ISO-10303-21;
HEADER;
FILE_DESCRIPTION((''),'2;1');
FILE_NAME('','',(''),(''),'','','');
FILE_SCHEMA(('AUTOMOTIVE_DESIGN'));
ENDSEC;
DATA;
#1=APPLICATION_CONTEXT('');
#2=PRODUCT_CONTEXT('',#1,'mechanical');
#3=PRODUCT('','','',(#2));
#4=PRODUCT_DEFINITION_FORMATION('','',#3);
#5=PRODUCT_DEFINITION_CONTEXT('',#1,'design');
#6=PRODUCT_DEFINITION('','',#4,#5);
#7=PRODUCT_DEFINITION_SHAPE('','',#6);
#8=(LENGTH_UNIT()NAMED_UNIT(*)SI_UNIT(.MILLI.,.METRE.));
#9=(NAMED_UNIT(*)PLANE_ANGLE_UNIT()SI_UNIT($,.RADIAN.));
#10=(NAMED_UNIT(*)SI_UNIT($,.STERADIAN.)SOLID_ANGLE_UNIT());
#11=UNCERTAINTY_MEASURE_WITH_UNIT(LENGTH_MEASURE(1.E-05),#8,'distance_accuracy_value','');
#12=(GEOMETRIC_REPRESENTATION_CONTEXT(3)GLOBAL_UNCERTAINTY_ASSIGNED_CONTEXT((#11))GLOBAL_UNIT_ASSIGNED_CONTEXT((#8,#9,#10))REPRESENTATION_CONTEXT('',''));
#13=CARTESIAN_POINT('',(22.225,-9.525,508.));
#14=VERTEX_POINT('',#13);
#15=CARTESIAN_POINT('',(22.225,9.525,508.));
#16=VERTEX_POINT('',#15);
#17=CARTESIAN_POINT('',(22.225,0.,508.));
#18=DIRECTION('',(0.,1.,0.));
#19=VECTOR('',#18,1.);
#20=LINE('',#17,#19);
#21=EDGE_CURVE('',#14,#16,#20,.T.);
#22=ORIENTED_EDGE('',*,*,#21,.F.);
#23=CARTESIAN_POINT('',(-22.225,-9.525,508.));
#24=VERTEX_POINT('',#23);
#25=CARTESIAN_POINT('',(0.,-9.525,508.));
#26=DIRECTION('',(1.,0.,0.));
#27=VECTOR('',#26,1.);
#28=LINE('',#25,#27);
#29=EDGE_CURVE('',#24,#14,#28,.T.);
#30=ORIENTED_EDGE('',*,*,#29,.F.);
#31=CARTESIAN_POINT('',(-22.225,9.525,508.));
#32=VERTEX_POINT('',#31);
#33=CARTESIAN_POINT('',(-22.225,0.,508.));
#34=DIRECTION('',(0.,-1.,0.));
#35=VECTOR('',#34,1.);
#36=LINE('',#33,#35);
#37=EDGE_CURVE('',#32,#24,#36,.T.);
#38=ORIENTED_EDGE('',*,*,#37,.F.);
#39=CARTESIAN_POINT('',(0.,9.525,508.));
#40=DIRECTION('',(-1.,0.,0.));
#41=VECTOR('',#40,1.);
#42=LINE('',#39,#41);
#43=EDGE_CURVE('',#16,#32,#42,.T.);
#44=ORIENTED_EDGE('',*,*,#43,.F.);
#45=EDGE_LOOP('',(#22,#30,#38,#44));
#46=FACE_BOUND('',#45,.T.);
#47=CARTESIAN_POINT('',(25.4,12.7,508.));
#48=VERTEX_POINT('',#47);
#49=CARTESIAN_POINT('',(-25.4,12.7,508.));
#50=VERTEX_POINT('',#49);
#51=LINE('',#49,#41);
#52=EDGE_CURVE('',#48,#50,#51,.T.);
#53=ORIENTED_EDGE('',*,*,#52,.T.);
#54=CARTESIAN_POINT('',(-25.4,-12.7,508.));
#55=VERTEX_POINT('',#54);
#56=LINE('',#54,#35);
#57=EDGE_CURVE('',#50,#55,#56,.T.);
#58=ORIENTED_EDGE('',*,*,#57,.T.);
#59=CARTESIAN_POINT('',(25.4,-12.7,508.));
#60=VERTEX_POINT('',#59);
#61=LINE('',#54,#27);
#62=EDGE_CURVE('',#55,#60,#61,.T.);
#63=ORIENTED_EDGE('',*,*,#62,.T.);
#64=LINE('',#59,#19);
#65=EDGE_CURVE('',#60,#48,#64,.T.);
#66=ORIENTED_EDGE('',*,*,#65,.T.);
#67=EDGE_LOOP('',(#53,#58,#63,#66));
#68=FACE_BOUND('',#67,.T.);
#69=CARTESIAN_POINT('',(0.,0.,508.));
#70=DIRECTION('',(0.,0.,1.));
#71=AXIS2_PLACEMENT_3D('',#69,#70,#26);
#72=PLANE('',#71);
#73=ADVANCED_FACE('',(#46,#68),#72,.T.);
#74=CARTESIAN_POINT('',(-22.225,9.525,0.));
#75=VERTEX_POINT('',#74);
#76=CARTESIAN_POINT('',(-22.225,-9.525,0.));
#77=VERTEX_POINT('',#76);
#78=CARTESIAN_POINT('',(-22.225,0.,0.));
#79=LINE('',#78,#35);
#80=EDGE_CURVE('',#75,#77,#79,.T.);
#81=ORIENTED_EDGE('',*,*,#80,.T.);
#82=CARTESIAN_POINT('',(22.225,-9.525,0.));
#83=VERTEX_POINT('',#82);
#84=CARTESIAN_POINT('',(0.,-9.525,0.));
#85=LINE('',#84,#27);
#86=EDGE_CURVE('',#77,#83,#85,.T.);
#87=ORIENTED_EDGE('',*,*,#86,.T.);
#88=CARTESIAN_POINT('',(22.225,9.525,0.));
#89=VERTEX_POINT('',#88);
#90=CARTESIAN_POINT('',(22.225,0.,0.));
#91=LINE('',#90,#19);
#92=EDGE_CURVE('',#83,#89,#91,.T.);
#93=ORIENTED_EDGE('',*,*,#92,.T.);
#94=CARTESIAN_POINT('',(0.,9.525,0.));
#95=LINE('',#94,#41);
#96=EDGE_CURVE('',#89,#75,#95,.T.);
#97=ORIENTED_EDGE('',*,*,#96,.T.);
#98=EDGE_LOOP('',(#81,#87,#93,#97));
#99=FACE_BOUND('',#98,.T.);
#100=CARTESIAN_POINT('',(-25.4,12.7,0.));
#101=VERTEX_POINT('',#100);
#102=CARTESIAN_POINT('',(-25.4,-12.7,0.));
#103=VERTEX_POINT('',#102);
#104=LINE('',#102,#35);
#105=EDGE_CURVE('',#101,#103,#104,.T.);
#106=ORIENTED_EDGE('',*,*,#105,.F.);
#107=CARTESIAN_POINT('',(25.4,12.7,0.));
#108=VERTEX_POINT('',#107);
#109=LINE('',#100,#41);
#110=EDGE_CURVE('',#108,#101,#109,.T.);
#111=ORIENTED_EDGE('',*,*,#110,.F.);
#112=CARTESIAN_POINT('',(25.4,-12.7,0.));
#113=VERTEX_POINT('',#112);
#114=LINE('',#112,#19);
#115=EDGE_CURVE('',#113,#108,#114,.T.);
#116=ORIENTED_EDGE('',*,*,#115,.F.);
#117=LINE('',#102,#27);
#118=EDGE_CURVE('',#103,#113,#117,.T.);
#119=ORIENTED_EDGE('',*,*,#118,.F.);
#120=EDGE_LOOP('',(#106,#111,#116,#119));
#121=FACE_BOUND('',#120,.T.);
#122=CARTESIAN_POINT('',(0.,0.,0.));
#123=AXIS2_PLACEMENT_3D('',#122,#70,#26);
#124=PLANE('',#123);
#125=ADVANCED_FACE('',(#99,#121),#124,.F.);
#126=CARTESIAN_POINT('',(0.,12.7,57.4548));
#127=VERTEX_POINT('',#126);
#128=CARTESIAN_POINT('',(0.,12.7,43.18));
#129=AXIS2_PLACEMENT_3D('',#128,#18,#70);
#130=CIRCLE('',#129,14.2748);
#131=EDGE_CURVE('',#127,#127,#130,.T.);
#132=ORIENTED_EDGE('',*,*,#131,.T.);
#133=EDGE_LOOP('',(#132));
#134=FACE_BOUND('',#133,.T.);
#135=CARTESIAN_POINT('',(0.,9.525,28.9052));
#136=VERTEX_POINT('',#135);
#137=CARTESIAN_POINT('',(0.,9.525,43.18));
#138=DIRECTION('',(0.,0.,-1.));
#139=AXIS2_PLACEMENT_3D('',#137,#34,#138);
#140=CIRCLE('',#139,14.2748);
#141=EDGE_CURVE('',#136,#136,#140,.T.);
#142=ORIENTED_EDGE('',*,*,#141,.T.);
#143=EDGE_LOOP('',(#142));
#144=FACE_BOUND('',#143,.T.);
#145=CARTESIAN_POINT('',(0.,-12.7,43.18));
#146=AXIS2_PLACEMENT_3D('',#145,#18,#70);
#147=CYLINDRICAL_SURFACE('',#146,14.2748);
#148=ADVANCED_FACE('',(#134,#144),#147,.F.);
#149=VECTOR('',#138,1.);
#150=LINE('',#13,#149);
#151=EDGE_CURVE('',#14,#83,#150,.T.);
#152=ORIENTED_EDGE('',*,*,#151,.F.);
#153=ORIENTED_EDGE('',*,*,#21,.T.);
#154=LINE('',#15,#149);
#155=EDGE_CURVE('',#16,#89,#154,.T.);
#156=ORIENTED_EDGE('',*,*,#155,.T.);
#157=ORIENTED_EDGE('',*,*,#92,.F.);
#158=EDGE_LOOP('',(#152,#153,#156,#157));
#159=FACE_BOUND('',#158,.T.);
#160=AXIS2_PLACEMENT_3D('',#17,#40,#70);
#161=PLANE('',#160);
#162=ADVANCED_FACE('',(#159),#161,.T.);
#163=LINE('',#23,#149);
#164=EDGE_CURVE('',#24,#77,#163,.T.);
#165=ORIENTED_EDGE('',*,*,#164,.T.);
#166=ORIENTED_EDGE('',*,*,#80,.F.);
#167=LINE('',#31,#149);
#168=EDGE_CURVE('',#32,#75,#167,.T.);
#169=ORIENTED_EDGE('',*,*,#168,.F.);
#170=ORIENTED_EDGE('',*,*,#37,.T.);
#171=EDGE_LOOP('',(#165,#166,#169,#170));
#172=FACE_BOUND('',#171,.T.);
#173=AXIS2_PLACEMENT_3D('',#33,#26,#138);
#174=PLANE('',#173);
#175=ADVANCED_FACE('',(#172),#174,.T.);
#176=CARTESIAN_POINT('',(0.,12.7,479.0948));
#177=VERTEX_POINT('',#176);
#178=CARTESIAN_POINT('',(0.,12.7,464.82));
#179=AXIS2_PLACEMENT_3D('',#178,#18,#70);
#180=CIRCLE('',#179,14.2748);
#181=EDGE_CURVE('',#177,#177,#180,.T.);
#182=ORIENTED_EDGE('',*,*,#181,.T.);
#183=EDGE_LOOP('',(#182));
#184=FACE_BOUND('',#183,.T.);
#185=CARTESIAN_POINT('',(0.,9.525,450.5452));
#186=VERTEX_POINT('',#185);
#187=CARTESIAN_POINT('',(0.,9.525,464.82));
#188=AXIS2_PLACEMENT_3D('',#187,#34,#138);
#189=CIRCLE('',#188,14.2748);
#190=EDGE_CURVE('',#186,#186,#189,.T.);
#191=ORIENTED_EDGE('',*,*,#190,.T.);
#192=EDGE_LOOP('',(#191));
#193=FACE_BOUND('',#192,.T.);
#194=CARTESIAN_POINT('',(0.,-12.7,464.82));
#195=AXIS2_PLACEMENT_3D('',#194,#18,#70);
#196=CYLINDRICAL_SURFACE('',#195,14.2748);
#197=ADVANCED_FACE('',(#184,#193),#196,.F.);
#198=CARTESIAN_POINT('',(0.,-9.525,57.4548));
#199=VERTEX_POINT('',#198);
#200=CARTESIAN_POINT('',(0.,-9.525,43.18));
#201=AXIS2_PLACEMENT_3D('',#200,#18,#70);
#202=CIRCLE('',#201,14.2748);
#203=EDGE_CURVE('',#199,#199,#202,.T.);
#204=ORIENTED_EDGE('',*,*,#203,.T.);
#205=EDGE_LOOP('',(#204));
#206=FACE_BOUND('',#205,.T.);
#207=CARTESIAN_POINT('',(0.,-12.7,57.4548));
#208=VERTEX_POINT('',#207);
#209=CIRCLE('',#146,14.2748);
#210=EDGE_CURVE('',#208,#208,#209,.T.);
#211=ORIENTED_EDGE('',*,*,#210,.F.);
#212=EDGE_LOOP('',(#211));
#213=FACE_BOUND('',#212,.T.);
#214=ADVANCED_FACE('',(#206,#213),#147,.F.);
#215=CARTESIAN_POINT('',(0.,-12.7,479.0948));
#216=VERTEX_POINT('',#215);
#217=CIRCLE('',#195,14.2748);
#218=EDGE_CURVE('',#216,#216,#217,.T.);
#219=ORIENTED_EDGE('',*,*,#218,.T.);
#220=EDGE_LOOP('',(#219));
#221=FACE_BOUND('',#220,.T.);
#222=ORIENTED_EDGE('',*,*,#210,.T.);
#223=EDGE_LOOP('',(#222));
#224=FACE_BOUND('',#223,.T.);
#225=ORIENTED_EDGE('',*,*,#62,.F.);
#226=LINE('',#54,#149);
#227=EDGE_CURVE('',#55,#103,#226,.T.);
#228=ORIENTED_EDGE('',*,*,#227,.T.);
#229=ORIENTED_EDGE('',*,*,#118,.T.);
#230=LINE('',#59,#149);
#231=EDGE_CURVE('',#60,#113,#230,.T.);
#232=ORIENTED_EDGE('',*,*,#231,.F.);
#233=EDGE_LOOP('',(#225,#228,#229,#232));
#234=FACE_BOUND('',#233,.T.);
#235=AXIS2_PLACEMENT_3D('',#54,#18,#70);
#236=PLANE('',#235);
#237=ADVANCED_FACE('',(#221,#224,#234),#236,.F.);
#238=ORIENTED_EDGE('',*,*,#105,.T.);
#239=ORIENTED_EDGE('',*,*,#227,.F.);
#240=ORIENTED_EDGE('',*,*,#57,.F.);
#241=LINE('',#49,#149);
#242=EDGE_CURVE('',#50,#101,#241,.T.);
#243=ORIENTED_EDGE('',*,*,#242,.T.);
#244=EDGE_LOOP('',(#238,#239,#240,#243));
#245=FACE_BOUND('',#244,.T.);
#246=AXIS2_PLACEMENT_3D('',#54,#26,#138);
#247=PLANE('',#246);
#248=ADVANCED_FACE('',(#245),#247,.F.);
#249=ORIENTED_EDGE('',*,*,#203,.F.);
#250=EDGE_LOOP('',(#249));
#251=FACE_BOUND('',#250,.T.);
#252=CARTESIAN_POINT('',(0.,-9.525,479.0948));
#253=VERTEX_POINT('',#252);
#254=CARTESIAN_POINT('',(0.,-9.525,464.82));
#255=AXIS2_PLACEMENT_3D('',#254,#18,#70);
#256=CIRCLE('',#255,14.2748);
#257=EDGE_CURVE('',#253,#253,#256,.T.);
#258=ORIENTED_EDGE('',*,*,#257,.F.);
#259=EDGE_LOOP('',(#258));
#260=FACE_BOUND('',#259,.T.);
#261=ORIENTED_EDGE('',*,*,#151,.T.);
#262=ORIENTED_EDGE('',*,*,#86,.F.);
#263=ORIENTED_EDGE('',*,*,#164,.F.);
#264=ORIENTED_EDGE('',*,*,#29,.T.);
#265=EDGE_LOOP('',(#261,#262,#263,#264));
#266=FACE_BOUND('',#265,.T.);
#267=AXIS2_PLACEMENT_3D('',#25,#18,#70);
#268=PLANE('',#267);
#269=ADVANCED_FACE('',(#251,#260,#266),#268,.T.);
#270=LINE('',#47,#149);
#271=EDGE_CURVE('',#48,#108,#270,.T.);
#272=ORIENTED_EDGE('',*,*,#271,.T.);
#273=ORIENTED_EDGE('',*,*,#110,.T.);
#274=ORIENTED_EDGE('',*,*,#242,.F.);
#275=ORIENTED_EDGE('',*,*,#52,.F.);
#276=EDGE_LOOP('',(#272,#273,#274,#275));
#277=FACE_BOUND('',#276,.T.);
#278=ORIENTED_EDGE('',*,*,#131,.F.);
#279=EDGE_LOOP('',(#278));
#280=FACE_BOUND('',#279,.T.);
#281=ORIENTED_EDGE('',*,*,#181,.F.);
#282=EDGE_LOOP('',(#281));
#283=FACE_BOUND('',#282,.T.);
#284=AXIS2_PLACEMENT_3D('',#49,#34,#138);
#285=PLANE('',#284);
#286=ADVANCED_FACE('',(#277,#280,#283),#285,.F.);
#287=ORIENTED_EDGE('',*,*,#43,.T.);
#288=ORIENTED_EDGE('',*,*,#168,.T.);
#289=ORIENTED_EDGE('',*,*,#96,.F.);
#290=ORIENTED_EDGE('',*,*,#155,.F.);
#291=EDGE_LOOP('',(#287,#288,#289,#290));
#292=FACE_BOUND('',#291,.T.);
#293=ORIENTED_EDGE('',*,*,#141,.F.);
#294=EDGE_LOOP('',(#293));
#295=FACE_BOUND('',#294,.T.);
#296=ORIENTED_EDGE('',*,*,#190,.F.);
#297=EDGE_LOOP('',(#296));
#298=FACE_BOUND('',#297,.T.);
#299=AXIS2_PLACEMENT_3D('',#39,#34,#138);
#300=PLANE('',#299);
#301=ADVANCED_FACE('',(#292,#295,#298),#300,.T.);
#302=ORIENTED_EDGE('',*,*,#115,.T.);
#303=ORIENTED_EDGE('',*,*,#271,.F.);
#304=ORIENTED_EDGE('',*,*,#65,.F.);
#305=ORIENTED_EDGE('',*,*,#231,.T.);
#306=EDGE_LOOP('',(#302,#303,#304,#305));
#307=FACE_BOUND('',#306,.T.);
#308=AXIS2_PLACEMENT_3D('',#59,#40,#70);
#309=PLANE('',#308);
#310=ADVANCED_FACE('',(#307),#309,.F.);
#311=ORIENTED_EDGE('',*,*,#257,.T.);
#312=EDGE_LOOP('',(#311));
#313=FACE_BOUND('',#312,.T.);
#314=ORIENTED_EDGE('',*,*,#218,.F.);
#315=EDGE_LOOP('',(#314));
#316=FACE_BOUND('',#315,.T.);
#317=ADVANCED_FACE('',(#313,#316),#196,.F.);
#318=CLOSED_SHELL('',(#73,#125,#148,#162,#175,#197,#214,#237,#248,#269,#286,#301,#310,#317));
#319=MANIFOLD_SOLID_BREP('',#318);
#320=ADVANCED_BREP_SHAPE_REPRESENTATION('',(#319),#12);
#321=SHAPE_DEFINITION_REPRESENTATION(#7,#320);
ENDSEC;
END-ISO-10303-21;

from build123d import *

# Parameters (mm, degrees)
SKETCH1_W           = 50.8
SKETCH1_H           = 25.4
SKETCH1_W_2         = 44.45
SKETCH1_H_2         = 19.05
EXTRUDE_THIN1_DEPTH = 508
SKETCH2_R           = 14.2748
CUT_EXTRUDE1_DEPTH  = 26.4


with BuildPart() as part:
    # Sketch1 → Extrude-Thin1 (new body)
    with BuildSketch(Plane.XY):
        Rectangle(SKETCH1_W, SKETCH1_H)
        Rectangle(SKETCH1_W_2, SKETCH1_H_2, mode=Mode.SUBTRACT)
    extrude(amount=EXTRUDE_THIN1_DEPTH)

    # Sketch2 → Cut-Extrude1 (cut, through all)
    with BuildSketch(Plane(origin=(0, 12.7, 0), x_dir=(1, 0, 0), z_dir=(0, 1, 0))):
        with Locations((0, -464.82)):
            Circle(SKETCH2_R)
        with Locations((0, -43.18)):
            Circle(SKETCH2_R)
    extrude(amount=-CUT_EXTRUDE1_DEPTH, mode=Mode.SUBTRACT)


solid = part.part
